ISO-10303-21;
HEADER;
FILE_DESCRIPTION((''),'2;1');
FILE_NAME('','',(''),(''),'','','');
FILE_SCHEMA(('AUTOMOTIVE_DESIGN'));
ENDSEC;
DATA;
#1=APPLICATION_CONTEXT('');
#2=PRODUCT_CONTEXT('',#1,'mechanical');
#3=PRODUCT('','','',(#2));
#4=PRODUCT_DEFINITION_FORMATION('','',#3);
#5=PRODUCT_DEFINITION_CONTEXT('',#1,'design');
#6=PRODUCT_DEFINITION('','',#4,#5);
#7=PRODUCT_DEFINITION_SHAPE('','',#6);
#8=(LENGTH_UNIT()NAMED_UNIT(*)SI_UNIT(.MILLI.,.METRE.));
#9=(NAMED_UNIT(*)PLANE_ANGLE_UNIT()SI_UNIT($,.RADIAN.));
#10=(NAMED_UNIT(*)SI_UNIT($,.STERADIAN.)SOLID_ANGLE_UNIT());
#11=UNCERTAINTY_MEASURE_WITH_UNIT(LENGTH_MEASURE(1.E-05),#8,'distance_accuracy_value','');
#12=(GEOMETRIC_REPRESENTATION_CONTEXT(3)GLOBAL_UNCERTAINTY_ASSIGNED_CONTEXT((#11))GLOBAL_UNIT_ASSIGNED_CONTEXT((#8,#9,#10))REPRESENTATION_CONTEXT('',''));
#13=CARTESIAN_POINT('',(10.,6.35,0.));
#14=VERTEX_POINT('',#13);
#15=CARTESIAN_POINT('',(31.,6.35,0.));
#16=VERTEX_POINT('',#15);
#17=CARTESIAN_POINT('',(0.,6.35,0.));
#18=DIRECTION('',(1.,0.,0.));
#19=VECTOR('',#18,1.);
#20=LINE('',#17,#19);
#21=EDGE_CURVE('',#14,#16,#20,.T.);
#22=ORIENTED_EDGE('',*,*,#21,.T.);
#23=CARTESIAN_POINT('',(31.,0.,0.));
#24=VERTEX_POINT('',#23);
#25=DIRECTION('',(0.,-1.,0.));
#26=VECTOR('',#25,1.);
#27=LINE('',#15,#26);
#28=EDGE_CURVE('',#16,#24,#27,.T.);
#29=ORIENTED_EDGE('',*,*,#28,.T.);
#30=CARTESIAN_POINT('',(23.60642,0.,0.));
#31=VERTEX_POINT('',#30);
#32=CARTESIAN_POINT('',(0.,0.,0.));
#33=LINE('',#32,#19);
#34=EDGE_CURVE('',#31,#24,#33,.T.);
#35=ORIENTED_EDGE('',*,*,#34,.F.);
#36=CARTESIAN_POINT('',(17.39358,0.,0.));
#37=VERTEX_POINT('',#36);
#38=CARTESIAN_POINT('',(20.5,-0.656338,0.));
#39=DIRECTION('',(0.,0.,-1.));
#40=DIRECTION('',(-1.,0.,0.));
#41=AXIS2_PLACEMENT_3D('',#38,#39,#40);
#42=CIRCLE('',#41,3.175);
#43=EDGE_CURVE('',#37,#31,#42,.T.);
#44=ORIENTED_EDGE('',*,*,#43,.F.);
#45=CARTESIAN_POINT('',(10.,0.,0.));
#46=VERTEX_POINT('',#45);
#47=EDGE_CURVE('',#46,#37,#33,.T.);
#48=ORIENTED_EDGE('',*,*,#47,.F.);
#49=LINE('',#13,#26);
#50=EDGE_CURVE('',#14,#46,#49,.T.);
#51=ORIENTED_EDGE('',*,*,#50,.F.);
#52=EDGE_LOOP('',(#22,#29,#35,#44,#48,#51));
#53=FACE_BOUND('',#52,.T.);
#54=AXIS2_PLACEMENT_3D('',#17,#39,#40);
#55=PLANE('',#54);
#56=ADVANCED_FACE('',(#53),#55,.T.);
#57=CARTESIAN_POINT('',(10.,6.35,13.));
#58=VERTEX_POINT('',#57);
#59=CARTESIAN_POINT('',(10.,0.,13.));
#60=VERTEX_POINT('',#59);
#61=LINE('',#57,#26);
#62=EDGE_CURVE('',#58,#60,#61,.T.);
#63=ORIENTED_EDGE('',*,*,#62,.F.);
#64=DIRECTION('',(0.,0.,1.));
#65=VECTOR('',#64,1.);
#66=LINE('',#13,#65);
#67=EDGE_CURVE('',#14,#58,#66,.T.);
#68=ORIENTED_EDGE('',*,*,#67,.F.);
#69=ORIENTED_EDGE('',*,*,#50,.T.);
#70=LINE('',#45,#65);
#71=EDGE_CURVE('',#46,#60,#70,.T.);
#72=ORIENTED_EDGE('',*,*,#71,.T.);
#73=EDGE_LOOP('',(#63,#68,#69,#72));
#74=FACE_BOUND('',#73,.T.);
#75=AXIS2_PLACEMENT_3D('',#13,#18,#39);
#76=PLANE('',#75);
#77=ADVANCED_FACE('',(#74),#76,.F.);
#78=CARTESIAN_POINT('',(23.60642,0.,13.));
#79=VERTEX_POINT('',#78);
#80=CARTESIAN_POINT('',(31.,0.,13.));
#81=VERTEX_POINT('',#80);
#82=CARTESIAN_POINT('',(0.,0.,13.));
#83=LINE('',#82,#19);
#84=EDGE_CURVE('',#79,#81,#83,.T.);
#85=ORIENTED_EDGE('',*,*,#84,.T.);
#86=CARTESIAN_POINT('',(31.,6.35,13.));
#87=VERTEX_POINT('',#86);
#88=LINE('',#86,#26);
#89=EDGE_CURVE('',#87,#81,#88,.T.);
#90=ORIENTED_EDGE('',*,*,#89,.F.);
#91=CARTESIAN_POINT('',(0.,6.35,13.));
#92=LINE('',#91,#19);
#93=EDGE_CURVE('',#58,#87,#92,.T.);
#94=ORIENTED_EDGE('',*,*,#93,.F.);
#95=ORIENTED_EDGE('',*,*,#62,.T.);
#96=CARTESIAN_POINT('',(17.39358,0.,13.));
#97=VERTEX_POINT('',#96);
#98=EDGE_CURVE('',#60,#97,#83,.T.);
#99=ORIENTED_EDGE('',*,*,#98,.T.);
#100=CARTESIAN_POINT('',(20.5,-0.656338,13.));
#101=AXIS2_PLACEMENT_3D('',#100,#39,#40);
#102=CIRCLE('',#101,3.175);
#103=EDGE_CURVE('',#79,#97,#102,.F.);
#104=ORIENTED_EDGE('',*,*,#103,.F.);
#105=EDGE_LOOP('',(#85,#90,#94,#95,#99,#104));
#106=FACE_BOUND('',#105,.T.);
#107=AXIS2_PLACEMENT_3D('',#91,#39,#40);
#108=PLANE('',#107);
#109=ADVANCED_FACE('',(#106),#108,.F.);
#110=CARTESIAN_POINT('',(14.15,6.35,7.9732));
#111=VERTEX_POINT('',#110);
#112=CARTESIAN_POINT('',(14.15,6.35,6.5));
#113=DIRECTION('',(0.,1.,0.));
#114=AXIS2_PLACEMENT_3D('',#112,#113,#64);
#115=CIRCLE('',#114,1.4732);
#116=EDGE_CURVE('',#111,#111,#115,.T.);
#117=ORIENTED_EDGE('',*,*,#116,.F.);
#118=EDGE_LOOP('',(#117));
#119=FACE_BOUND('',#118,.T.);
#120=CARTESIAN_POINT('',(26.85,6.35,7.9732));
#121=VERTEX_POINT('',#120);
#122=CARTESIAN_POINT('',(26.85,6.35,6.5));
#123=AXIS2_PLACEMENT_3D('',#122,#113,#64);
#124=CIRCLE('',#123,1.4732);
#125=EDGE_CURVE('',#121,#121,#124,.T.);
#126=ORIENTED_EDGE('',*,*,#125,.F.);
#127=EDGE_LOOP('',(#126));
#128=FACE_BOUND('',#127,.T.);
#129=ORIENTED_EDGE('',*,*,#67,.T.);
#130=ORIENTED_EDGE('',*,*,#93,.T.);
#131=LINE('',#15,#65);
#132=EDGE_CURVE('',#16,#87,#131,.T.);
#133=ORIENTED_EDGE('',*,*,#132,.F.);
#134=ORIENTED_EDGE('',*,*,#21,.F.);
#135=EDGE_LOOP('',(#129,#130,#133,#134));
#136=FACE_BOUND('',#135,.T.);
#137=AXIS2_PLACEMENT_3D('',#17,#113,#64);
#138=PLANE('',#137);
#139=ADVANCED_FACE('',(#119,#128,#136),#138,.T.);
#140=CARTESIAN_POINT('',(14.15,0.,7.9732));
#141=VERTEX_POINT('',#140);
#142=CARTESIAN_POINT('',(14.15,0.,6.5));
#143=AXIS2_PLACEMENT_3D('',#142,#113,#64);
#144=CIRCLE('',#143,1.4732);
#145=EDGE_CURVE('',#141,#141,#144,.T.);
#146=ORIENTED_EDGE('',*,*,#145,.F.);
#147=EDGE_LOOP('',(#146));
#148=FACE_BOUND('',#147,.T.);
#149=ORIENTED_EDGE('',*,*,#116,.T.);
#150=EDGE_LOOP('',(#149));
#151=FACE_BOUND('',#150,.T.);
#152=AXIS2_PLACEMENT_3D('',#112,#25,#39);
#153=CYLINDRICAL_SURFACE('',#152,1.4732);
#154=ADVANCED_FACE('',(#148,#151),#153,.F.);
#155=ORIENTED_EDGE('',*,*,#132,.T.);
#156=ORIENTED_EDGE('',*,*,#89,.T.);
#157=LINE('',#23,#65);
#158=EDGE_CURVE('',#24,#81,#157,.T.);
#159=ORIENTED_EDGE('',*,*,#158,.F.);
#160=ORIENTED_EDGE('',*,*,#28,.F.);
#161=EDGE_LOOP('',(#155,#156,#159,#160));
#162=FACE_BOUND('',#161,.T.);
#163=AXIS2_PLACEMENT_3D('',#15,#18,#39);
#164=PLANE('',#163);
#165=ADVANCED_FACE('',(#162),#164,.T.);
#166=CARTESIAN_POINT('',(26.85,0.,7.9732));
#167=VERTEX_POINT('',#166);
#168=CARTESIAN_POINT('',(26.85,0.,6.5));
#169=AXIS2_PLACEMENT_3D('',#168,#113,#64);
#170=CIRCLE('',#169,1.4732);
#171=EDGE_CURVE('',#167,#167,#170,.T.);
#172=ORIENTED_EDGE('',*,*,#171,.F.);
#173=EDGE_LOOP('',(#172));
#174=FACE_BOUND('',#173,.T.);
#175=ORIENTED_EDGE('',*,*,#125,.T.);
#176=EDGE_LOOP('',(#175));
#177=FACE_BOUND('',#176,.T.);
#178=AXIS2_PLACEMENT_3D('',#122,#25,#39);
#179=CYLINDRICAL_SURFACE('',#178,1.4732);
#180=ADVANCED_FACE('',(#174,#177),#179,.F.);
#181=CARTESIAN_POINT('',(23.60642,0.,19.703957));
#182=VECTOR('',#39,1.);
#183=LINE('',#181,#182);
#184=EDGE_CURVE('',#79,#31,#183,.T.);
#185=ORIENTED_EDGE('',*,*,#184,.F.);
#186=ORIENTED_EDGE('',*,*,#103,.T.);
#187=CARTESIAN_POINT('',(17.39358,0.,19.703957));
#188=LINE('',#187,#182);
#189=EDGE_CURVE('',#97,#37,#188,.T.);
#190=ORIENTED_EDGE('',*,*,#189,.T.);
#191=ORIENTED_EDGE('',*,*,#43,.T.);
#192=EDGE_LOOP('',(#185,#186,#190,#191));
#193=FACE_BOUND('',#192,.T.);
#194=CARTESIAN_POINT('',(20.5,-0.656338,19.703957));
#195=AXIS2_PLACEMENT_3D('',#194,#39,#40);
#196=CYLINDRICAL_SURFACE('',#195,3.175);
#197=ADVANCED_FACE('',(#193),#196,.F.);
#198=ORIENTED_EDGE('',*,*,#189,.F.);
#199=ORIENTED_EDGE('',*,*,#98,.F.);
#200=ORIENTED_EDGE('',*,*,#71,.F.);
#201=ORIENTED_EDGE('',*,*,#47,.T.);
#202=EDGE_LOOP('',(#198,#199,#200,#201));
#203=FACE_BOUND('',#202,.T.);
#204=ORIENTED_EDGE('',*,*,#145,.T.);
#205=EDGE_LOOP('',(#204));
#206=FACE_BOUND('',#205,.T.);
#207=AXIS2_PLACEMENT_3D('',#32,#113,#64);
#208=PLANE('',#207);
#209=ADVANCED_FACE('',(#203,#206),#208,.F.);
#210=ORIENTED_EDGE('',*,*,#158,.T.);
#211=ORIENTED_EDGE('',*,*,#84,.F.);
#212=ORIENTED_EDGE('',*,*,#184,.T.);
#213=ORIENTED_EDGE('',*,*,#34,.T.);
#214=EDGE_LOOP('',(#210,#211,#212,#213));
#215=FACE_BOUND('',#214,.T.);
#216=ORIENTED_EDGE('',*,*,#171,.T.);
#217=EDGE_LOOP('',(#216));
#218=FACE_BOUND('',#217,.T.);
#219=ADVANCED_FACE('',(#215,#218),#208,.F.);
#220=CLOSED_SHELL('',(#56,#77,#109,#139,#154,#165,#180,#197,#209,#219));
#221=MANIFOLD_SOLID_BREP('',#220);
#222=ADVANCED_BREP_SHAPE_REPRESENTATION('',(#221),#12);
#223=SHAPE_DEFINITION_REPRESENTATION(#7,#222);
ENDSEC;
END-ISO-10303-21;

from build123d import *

# Parameters (mm, degrees)
SKETCH1_W           = 21
SKETCH1_H           = 13
SKETCH1_R           = 1.4732
BOSS_EXTRUDE1_DEPTH = 6.35
CUT_EXTRUDE1_DEPTH  = 13


with BuildPart() as part:
    # Sketch1 → Boss-Extrude1 (new body)
    with BuildSketch(Plane(origin=(0, 0, 0), x_dir=(1, 0, 0), z_dir=(0, 1, 0))):
        with Locations((20.5, -6.5)):
            Rectangle(SKETCH1_W, SKETCH1_H)
        with Locations(Location((14.15, -6.5, 0), (0, 0, 270))):
            Circle(SKETCH1_R, mode=Mode.SUBTRACT)
        with Locations(Location((26.85, -6.5, 0), (0, 0, 270))):
            Circle(SKETCH1_R, mode=Mode.SUBTRACT)
    extrude(amount=BOSS_EXTRUDE1_DEPTH)

    # Sketch2 → Cut-Extrude1 (cut)
    with BuildSketch(Plane(origin=(0, 0, 0), x_dir=(-1, 0, 0), z_dir=(0, 0, -1))):
        with BuildLine():
            ThreePointArc((-17.39358, 0), (-20.5, 2.518661837), (-23.60642, 0))
            Line((-23.60642, 0), (-17.39358, 0))
        make_face()
        with BuildLine():
            Line((-17.39358, 0), (-23.60642, 0))
            ThreePointArc((-23.60642, 0), (-20.829955679, -3.814146619), (-17.325, -0.656338163))
            ThreePointArc((-17.325, -0.656338163), (-17.342191543, -0.326382484), (-17.39358, 0))
        make_face()
    extrude(amount=-CUT_EXTRUDE1_DEPTH, mode=Mode.SUBTRACT)


solid = part.part
